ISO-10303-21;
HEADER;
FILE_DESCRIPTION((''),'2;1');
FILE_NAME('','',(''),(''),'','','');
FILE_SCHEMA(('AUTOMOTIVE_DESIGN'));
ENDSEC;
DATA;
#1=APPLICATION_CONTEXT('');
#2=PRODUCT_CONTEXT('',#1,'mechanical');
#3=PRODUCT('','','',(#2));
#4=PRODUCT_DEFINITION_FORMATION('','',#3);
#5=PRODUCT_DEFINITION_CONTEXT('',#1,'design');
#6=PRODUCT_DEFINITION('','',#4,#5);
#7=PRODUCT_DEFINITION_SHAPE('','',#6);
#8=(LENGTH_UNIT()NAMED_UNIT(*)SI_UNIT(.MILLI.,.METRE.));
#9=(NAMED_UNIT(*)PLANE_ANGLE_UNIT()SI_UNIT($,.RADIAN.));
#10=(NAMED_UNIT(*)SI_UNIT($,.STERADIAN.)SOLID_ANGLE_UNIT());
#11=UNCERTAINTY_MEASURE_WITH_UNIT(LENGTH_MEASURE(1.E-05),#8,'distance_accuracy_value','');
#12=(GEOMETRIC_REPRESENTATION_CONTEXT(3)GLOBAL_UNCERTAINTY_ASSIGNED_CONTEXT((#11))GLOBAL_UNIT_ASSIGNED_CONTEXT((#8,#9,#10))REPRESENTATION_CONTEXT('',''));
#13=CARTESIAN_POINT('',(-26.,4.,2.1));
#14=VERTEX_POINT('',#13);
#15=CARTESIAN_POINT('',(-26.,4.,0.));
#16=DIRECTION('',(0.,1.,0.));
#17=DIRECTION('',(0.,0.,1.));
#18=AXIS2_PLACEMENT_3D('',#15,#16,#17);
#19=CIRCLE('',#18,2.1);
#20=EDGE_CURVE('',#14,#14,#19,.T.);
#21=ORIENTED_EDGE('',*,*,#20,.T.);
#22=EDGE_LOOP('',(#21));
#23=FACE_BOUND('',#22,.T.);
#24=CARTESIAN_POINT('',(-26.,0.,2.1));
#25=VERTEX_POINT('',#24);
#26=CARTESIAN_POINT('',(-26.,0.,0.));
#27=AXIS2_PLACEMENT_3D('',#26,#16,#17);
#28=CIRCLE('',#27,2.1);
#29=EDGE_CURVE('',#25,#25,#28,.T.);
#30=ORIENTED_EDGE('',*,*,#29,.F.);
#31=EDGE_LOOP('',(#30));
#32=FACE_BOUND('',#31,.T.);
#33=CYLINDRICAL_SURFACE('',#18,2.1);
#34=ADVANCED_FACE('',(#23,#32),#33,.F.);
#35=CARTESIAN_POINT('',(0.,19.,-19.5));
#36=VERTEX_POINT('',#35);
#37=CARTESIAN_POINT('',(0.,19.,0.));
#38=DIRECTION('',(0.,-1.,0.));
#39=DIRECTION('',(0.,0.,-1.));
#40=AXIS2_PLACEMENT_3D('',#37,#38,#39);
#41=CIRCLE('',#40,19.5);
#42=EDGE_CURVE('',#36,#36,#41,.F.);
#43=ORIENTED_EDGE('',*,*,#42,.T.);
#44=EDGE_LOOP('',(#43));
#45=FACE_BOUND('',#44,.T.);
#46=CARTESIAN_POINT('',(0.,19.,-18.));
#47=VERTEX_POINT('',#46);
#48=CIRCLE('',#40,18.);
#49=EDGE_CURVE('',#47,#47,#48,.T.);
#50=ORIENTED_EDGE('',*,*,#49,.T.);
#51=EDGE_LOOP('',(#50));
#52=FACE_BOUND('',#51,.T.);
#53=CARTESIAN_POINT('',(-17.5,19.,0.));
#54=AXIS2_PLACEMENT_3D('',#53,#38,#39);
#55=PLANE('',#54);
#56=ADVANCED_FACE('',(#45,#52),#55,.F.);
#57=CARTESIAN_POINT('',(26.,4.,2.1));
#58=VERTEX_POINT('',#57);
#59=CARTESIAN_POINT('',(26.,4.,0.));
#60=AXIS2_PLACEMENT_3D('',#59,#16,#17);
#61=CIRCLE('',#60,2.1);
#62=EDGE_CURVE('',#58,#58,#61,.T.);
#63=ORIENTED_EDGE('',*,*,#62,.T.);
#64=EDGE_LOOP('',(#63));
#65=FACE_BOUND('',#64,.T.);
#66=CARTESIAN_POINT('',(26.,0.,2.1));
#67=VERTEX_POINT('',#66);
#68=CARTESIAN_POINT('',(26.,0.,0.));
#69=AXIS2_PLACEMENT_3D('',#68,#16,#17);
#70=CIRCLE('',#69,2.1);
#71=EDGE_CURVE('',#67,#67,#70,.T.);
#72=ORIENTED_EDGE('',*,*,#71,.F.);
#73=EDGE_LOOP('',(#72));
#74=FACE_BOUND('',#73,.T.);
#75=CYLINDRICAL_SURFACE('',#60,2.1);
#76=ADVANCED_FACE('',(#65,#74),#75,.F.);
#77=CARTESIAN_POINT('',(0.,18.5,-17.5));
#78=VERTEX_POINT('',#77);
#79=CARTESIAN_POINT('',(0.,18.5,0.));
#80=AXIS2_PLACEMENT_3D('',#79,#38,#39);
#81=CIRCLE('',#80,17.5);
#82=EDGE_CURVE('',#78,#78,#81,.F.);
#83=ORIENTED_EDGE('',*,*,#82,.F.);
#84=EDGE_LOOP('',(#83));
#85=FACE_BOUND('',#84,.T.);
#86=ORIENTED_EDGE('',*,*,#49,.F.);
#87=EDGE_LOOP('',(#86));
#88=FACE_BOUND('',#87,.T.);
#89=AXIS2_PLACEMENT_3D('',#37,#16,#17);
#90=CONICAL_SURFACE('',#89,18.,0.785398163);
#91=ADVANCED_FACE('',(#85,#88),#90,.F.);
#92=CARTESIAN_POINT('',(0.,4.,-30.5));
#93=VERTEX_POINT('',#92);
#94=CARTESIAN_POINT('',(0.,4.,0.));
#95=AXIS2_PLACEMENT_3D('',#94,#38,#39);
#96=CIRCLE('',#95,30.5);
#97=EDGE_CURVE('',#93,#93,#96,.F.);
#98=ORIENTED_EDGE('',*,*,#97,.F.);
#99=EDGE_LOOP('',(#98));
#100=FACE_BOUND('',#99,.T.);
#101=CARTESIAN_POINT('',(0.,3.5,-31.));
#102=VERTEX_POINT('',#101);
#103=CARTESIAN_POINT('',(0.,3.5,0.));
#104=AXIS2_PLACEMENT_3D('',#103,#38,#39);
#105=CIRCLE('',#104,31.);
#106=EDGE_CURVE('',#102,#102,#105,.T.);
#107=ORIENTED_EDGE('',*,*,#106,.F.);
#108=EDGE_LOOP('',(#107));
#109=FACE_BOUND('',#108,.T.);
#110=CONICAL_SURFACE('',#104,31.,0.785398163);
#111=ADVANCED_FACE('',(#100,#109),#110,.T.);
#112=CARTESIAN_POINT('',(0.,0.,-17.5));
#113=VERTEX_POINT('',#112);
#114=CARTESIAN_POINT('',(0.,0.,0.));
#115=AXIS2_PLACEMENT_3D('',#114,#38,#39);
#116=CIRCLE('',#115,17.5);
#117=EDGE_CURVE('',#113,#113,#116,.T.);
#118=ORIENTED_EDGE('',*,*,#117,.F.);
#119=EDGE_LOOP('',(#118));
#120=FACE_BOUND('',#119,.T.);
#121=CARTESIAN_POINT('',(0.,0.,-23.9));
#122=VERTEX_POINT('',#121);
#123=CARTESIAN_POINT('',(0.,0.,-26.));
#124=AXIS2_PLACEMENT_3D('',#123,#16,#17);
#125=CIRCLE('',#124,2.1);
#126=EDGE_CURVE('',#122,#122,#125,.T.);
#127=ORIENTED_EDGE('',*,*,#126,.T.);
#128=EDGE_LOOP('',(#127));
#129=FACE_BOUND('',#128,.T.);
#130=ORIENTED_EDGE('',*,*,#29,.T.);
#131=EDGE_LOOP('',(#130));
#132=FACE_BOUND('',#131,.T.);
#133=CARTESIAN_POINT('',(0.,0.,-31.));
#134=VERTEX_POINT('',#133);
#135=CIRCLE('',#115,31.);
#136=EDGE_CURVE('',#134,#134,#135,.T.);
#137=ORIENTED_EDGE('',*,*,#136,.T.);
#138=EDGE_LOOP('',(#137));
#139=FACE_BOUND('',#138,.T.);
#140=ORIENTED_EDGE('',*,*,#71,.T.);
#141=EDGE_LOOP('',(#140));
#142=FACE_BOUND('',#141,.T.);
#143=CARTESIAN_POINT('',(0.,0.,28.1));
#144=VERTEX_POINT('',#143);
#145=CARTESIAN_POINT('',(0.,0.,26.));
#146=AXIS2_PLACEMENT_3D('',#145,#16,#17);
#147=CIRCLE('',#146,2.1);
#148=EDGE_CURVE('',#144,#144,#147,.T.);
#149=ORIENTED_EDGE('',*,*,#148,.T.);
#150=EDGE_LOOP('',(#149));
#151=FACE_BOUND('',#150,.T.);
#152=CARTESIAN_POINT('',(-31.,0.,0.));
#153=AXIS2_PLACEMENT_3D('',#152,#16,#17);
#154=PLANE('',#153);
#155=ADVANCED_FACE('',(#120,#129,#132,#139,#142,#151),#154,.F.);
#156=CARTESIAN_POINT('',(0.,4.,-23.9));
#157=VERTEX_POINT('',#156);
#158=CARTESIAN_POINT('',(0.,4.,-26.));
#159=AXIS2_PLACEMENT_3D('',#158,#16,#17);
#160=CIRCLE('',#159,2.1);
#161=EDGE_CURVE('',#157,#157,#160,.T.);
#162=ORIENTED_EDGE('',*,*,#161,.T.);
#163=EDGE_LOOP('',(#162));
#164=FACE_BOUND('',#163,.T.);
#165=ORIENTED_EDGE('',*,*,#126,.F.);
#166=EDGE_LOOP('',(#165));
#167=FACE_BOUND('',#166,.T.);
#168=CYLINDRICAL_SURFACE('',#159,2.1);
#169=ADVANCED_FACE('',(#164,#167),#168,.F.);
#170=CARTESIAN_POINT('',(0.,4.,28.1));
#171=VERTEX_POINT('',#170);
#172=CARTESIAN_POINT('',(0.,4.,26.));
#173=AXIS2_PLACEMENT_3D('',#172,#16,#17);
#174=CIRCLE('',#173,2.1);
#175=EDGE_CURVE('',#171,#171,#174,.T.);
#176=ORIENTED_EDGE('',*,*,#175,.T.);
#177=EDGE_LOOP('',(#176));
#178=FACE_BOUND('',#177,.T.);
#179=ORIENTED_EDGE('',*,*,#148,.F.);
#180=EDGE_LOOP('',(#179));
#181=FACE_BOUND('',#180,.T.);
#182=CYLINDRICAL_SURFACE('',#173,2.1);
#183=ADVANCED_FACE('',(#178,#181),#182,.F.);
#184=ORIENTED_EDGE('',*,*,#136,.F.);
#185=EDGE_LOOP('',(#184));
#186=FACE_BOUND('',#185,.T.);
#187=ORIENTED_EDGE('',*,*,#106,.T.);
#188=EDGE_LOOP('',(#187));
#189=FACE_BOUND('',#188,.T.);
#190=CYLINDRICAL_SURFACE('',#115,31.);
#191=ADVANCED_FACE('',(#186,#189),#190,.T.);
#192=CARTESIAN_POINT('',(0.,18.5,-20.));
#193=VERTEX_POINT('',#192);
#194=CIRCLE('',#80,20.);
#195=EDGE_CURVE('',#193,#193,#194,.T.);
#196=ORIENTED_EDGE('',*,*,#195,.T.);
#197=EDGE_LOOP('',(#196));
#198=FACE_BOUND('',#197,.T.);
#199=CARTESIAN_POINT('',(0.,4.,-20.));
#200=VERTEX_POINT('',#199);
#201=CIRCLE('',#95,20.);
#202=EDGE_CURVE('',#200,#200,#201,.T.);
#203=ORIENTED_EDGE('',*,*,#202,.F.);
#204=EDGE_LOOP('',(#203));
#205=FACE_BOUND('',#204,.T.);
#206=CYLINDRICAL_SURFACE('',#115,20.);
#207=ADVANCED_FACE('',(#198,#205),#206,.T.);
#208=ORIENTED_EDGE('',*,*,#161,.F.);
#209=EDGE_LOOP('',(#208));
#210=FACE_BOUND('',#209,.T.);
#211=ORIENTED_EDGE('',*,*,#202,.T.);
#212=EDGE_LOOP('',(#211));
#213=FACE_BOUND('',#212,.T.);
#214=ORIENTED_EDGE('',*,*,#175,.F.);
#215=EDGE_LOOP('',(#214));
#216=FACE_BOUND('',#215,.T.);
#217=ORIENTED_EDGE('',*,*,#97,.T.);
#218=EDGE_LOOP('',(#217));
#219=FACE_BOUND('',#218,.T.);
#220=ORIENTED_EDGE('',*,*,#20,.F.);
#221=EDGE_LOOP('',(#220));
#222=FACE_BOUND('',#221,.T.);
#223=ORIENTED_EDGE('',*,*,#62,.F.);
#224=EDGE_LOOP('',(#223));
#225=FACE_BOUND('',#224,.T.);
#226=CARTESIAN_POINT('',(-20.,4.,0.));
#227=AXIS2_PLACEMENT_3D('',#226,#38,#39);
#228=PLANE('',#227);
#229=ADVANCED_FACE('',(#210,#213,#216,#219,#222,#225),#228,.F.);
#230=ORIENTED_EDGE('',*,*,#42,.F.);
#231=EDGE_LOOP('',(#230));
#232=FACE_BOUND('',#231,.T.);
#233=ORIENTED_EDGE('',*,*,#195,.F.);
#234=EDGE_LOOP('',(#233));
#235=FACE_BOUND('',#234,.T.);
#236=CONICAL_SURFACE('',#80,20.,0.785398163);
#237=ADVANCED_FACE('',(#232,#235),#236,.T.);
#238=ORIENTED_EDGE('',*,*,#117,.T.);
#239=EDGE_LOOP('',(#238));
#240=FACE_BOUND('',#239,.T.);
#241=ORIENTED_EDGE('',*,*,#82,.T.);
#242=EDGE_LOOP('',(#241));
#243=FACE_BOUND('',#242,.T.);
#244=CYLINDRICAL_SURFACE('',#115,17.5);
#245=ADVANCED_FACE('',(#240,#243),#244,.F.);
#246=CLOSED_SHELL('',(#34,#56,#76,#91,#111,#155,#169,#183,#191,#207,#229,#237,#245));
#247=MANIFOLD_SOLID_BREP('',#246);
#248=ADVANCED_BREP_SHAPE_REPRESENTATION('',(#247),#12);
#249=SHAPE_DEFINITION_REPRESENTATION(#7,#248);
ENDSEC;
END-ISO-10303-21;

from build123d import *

# Parameters (mm, degrees)
TAP_DRILL_FOR_M5_TAP1_D = 4.2
CIRPATTERN1_COUNT       = 4
CHAMFER1_SIZE           = 0.5
CHAMFER2_SIZE           = 0.5


with BuildPart() as part:
    # Sketch1 → Revolve1 (revolve)
    with BuildSketch(Plane.XY, mode=Mode.PRIVATE) as revolve1_sk:
        Polygon((-31, 0), (-17.5, 0), (-17.5, 19), (-20, 19), (-20, 4), (-31, 4), align=None)
    revolve(revolve1_sk.sketch.rotate(Axis((0, 0, 0), (0, 1, 0)), 270), axis=Axis((0, 0, 0), (0, 1, 0)))

    # Tap Drill for M5 Tap1 (through all)
    with Locations(Plane(origin=(0, 4, 0), x_dir=(1, 0, 0), z_dir=(0, 1, 0))):
        with Locations((0, 26)):
            tap_drill_for_m5_tap1 = Hole(TAP_DRILL_FOR_M5_TAP1_D / 2)

    # CirPattern1: Tap Drill for M5 Tap1 ×4 about axis
    cirpattern1_axis = Axis((0, 0, 0), (0, 1, 0))
    for i in range(1, CIRPATTERN1_COUNT):
        add(tap_drill_for_m5_tap1.rotate(cirpattern1_axis, i * 360 / CIRPATTERN1_COUNT), mode=Mode.SUBTRACT)

    # Chamfer1
    chamfer1_edges = [part.edges().sort_by_distance(p)[0] for p in [
        (0, 19, 20),
        (0, 19, 17.5),
    ]]
    chamfer(chamfer1_edges, length=CHAMFER1_SIZE)

    # Chamfer2
    chamfer2_edges = [part.edges().sort_by_distance(p)[0] for p in [
        (0, 4, 31),
    ]]
    chamfer(chamfer2_edges, length=CHAMFER2_SIZE)


solid = part.part
